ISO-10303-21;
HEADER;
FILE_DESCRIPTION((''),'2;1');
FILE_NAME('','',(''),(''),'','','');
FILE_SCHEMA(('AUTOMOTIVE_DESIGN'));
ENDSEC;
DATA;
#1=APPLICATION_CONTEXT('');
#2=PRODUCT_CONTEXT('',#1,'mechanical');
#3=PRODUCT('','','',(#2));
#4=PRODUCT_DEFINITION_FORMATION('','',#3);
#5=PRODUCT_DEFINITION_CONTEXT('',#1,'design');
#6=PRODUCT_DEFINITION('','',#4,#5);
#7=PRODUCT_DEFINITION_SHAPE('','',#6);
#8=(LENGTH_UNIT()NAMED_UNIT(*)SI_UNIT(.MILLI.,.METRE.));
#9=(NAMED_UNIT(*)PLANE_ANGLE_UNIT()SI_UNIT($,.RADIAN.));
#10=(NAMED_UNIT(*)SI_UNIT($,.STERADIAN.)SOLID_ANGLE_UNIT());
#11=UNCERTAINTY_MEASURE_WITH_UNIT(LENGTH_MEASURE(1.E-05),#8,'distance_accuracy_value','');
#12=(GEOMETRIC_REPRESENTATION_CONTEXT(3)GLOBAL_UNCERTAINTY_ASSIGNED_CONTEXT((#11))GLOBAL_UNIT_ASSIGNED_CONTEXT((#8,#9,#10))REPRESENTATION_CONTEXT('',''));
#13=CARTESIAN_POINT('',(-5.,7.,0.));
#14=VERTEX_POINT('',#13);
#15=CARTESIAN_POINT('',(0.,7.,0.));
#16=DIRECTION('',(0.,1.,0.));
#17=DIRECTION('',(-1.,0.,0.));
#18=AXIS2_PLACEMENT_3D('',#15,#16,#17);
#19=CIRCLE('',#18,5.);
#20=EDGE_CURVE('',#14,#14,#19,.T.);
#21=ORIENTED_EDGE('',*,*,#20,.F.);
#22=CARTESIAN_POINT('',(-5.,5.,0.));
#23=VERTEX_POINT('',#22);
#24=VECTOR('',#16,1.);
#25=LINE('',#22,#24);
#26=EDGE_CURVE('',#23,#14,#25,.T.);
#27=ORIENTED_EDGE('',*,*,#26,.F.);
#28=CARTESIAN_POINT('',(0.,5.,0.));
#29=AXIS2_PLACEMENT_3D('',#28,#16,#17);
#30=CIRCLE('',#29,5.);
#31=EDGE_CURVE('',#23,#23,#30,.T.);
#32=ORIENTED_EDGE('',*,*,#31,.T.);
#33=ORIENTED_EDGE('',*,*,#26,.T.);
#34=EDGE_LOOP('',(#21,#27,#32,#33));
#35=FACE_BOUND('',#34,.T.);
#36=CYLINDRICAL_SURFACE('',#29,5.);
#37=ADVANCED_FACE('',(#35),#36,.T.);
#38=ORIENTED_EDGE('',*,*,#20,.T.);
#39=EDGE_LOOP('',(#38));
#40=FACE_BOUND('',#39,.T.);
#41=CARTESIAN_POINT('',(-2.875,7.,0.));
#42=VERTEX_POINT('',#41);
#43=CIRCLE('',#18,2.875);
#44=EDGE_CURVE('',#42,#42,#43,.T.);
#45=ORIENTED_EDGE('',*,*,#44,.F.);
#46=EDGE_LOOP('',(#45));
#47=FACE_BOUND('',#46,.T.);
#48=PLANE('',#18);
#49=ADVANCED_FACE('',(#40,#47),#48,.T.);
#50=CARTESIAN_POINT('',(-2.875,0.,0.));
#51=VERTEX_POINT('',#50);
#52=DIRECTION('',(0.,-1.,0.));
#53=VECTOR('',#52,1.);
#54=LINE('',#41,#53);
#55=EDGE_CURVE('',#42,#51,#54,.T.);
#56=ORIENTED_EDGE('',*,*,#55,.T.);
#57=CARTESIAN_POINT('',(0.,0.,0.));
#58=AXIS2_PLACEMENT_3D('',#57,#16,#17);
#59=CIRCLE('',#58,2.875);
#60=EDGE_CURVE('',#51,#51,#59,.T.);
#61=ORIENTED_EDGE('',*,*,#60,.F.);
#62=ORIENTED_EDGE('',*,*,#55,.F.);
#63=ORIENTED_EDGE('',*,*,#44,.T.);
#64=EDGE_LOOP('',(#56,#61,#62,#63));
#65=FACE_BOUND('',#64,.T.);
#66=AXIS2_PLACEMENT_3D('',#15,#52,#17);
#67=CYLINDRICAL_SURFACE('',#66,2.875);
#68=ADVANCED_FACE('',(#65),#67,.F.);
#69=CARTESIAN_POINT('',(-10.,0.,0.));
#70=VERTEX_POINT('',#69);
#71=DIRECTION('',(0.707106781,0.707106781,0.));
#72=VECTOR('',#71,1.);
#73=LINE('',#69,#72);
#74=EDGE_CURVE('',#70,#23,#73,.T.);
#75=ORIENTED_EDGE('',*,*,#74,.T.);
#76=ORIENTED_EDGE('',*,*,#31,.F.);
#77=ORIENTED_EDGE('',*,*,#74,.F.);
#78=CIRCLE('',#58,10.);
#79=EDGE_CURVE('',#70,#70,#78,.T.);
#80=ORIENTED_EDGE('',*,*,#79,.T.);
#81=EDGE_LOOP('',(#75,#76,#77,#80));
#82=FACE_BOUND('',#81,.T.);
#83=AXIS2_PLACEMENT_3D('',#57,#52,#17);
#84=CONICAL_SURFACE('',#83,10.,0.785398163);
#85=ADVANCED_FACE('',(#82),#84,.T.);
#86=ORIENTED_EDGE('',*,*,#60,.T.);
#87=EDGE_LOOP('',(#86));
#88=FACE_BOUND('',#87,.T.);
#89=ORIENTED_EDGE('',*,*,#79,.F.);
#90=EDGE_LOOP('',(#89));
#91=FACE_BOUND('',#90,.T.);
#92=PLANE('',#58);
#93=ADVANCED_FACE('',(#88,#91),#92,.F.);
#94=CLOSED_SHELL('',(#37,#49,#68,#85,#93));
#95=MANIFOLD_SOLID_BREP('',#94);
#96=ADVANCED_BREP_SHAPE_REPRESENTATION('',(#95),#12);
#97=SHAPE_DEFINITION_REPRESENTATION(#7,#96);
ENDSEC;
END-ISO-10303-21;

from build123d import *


with BuildPart() as part:
    # Sketch → Revolution (revolve)
    with BuildSketch(Plane.XY):
        Polygon((-2.875, 0), (-10, 0), (-5, 5), (-5, 7), (-2.875, 7), align=None)
    revolve(axis=Axis((0, 0, 0), (0, 1, 0)))


solid = part.part
